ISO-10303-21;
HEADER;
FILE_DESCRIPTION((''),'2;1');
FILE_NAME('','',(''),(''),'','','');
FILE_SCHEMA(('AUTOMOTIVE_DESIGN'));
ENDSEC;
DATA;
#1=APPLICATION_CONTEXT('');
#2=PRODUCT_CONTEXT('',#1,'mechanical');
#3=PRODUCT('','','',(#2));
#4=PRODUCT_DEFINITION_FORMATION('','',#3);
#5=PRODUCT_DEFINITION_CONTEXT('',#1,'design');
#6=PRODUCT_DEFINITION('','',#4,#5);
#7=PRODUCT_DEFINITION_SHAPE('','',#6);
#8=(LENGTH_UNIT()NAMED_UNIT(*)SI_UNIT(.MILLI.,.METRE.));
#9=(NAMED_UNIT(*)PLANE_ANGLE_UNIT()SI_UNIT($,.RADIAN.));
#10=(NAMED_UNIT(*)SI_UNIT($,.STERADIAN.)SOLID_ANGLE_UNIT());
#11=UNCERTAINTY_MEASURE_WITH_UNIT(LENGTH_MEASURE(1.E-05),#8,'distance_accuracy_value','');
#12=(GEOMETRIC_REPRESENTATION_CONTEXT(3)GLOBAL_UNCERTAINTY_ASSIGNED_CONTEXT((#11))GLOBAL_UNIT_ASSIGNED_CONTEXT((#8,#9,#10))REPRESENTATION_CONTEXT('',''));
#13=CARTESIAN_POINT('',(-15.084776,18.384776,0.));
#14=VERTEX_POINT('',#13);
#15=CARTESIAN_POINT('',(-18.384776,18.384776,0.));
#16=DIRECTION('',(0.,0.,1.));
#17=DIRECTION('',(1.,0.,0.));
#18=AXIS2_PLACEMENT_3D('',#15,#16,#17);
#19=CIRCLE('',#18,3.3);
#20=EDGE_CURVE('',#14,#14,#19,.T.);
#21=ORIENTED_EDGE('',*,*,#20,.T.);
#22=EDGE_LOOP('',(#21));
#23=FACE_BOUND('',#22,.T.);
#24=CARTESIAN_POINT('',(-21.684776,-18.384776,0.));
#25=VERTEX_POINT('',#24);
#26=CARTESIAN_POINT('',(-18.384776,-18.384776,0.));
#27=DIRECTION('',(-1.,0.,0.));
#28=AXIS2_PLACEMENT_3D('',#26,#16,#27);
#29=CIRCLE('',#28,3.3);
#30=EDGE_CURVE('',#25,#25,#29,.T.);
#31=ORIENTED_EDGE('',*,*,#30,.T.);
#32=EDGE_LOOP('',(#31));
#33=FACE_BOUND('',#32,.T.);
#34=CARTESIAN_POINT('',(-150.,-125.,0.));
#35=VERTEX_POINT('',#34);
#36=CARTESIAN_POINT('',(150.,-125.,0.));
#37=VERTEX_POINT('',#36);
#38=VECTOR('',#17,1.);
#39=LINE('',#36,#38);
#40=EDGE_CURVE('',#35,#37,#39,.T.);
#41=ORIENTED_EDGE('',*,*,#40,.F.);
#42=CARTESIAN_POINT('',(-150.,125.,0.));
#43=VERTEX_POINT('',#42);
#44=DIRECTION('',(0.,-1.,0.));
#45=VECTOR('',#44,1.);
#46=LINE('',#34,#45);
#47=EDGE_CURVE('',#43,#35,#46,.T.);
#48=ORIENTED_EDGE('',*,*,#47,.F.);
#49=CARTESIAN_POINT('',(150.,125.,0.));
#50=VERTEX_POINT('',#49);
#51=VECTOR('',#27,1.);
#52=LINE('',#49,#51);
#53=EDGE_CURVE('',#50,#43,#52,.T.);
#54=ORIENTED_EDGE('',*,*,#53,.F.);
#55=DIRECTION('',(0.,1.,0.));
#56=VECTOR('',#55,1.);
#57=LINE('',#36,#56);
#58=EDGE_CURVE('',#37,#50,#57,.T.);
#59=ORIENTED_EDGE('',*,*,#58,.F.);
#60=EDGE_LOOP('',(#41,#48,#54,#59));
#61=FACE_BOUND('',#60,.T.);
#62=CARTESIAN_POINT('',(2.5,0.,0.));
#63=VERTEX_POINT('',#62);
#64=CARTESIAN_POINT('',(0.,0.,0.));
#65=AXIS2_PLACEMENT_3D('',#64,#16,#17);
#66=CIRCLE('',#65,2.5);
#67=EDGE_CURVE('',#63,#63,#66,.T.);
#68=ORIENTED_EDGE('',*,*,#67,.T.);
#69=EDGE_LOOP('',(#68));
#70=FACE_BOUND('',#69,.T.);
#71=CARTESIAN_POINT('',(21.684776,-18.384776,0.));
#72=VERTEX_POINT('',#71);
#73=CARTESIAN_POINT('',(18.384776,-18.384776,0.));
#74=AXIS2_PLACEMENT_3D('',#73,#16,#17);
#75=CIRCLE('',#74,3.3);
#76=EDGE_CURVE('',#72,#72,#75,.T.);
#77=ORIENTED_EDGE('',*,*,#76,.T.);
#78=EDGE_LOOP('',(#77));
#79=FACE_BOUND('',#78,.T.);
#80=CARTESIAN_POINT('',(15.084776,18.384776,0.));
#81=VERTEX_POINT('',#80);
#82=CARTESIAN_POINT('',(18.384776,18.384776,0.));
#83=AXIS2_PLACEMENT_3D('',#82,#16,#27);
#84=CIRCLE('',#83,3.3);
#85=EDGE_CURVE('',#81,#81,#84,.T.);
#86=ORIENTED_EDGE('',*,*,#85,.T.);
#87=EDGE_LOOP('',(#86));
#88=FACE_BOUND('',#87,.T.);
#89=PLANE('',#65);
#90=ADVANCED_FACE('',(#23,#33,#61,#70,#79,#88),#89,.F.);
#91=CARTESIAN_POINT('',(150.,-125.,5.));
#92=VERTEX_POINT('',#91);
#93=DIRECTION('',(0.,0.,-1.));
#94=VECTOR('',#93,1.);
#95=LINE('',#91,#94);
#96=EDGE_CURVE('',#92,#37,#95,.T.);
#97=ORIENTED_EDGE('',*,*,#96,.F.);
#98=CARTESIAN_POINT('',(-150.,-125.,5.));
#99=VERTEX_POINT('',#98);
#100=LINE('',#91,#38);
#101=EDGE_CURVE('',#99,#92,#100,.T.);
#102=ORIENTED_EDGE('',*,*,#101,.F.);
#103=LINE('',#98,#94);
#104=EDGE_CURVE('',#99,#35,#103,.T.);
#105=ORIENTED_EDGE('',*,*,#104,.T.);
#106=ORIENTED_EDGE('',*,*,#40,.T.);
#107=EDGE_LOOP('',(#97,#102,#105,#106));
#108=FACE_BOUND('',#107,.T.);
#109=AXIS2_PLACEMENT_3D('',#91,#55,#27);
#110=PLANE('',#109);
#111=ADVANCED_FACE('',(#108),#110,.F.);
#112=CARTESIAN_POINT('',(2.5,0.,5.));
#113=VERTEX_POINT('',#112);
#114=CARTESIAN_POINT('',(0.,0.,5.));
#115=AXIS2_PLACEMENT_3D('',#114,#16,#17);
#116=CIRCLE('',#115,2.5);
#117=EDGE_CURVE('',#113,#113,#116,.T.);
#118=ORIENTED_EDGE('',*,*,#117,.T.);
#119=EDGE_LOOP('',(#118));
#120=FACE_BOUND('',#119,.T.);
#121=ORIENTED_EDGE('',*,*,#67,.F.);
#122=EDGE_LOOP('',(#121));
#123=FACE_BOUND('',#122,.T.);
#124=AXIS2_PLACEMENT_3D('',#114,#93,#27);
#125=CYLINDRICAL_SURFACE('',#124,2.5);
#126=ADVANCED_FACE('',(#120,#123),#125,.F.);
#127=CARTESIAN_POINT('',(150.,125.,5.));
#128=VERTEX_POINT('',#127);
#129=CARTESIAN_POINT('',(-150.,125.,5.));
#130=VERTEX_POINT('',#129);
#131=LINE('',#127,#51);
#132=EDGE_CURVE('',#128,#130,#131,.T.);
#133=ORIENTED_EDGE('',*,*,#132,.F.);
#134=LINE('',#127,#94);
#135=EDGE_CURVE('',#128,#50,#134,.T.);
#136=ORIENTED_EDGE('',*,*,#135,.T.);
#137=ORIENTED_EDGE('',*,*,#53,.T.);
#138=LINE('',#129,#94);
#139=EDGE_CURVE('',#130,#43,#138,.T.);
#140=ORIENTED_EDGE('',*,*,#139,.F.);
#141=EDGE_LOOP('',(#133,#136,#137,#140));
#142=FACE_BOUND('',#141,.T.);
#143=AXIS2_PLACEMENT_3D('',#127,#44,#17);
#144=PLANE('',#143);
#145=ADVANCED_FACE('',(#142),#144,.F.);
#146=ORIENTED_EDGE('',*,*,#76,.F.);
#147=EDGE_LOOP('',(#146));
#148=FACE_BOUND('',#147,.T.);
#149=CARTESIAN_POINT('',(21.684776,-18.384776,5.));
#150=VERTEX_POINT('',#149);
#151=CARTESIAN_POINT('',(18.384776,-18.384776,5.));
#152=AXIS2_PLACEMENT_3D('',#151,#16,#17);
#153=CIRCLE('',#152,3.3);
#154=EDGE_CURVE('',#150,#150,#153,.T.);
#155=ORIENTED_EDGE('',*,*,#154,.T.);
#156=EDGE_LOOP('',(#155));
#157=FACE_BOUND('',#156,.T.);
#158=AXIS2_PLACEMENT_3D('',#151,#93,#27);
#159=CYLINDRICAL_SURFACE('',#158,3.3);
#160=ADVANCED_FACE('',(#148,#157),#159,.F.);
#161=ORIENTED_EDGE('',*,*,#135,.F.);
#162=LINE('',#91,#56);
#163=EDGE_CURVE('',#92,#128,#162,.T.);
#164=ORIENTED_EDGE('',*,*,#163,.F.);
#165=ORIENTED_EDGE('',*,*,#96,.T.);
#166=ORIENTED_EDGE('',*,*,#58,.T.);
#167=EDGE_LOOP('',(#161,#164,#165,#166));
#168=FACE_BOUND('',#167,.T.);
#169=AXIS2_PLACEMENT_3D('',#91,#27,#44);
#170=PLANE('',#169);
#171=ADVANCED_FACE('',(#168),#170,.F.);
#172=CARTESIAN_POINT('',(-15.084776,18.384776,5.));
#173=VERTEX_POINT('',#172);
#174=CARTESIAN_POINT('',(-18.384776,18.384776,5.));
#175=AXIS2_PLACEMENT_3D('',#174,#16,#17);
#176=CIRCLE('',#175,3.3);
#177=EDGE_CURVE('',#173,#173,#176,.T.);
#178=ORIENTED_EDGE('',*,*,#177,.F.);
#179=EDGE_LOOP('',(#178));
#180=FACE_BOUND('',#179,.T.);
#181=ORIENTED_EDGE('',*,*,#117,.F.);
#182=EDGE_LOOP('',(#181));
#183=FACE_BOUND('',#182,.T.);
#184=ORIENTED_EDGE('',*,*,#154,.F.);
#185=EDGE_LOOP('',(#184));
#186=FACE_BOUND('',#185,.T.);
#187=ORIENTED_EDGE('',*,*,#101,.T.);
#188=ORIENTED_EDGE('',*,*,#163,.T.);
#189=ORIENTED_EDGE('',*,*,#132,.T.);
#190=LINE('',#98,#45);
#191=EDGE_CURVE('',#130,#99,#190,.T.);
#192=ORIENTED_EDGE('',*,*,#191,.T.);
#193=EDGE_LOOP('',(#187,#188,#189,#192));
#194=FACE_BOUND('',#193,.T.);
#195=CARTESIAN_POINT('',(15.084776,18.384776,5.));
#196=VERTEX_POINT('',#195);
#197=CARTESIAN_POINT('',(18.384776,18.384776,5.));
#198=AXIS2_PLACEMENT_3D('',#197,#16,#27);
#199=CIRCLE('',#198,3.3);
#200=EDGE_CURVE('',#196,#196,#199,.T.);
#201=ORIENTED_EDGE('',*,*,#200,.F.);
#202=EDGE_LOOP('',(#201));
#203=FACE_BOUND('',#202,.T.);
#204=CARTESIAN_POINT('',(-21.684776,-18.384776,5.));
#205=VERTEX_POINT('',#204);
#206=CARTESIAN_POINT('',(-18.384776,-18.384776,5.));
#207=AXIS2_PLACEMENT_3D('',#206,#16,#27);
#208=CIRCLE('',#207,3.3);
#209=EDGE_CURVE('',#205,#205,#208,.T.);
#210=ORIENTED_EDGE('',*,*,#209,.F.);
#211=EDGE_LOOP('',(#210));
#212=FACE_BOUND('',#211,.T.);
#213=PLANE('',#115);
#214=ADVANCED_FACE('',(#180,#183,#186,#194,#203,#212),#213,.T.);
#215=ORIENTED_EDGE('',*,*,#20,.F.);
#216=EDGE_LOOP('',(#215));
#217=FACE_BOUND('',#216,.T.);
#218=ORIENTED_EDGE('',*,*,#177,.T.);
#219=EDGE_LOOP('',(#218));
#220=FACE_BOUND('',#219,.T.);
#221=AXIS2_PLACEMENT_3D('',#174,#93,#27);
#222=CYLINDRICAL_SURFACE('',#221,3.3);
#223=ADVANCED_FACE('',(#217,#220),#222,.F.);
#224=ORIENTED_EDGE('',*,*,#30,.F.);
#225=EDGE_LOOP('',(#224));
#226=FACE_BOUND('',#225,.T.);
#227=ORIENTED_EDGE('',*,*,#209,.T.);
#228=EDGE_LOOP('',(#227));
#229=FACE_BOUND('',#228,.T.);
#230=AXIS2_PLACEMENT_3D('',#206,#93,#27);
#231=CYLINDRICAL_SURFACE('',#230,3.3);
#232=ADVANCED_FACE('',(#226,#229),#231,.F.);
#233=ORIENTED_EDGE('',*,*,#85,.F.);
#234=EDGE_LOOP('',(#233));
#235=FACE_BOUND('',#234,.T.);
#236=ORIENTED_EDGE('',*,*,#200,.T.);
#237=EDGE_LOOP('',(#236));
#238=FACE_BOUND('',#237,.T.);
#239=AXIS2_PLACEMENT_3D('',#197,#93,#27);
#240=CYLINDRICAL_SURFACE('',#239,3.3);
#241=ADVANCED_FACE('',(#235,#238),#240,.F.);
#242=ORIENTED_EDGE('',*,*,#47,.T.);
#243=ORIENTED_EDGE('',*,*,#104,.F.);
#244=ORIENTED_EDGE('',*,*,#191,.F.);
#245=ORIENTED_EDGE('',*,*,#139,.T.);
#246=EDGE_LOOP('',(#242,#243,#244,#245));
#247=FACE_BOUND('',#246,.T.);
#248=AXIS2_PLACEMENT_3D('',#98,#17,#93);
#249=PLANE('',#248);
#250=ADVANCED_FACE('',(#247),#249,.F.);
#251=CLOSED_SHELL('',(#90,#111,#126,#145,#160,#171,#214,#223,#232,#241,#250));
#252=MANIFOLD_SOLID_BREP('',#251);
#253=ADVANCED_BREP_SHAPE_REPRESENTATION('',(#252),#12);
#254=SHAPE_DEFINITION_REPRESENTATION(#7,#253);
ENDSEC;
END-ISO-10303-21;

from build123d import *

# Parameters (mm, degrees)
SKETCH_1_W      = 300
SKETCH_1_H      = 250
SKETCH_1_R      = 3.3
SKETCH_1_R_2    = 2.5
EXTRUDE_1_DEPTH = 5


with BuildPart() as part:
    # 草图1 → 凸台-拉伸1 (new body)
    with BuildSketch(Plane.XY):
        Rectangle(SKETCH_1_W, SKETCH_1_H)
        with Locations((-18.384776311, 18.384776311)):
            Circle(SKETCH_1_R, mode=Mode.SUBTRACT)
        with Locations(Location((18.384776311, 18.384776311, 0), (0, 0, 180))):
            Circle(SKETCH_1_R, mode=Mode.SUBTRACT)
        with Locations((18.384776311, -18.384776311)):
            Circle(SKETCH_1_R, mode=Mode.SUBTRACT)
        with Locations(Location((-18.384776311, -18.384776311, 0), (0, 0, 180))):
            Circle(SKETCH_1_R, mode=Mode.SUBTRACT)
        Circle(SKETCH_1_R_2, mode=Mode.SUBTRACT)
    extrude(amount=EXTRUDE_1_DEPTH)


solid = part.part
